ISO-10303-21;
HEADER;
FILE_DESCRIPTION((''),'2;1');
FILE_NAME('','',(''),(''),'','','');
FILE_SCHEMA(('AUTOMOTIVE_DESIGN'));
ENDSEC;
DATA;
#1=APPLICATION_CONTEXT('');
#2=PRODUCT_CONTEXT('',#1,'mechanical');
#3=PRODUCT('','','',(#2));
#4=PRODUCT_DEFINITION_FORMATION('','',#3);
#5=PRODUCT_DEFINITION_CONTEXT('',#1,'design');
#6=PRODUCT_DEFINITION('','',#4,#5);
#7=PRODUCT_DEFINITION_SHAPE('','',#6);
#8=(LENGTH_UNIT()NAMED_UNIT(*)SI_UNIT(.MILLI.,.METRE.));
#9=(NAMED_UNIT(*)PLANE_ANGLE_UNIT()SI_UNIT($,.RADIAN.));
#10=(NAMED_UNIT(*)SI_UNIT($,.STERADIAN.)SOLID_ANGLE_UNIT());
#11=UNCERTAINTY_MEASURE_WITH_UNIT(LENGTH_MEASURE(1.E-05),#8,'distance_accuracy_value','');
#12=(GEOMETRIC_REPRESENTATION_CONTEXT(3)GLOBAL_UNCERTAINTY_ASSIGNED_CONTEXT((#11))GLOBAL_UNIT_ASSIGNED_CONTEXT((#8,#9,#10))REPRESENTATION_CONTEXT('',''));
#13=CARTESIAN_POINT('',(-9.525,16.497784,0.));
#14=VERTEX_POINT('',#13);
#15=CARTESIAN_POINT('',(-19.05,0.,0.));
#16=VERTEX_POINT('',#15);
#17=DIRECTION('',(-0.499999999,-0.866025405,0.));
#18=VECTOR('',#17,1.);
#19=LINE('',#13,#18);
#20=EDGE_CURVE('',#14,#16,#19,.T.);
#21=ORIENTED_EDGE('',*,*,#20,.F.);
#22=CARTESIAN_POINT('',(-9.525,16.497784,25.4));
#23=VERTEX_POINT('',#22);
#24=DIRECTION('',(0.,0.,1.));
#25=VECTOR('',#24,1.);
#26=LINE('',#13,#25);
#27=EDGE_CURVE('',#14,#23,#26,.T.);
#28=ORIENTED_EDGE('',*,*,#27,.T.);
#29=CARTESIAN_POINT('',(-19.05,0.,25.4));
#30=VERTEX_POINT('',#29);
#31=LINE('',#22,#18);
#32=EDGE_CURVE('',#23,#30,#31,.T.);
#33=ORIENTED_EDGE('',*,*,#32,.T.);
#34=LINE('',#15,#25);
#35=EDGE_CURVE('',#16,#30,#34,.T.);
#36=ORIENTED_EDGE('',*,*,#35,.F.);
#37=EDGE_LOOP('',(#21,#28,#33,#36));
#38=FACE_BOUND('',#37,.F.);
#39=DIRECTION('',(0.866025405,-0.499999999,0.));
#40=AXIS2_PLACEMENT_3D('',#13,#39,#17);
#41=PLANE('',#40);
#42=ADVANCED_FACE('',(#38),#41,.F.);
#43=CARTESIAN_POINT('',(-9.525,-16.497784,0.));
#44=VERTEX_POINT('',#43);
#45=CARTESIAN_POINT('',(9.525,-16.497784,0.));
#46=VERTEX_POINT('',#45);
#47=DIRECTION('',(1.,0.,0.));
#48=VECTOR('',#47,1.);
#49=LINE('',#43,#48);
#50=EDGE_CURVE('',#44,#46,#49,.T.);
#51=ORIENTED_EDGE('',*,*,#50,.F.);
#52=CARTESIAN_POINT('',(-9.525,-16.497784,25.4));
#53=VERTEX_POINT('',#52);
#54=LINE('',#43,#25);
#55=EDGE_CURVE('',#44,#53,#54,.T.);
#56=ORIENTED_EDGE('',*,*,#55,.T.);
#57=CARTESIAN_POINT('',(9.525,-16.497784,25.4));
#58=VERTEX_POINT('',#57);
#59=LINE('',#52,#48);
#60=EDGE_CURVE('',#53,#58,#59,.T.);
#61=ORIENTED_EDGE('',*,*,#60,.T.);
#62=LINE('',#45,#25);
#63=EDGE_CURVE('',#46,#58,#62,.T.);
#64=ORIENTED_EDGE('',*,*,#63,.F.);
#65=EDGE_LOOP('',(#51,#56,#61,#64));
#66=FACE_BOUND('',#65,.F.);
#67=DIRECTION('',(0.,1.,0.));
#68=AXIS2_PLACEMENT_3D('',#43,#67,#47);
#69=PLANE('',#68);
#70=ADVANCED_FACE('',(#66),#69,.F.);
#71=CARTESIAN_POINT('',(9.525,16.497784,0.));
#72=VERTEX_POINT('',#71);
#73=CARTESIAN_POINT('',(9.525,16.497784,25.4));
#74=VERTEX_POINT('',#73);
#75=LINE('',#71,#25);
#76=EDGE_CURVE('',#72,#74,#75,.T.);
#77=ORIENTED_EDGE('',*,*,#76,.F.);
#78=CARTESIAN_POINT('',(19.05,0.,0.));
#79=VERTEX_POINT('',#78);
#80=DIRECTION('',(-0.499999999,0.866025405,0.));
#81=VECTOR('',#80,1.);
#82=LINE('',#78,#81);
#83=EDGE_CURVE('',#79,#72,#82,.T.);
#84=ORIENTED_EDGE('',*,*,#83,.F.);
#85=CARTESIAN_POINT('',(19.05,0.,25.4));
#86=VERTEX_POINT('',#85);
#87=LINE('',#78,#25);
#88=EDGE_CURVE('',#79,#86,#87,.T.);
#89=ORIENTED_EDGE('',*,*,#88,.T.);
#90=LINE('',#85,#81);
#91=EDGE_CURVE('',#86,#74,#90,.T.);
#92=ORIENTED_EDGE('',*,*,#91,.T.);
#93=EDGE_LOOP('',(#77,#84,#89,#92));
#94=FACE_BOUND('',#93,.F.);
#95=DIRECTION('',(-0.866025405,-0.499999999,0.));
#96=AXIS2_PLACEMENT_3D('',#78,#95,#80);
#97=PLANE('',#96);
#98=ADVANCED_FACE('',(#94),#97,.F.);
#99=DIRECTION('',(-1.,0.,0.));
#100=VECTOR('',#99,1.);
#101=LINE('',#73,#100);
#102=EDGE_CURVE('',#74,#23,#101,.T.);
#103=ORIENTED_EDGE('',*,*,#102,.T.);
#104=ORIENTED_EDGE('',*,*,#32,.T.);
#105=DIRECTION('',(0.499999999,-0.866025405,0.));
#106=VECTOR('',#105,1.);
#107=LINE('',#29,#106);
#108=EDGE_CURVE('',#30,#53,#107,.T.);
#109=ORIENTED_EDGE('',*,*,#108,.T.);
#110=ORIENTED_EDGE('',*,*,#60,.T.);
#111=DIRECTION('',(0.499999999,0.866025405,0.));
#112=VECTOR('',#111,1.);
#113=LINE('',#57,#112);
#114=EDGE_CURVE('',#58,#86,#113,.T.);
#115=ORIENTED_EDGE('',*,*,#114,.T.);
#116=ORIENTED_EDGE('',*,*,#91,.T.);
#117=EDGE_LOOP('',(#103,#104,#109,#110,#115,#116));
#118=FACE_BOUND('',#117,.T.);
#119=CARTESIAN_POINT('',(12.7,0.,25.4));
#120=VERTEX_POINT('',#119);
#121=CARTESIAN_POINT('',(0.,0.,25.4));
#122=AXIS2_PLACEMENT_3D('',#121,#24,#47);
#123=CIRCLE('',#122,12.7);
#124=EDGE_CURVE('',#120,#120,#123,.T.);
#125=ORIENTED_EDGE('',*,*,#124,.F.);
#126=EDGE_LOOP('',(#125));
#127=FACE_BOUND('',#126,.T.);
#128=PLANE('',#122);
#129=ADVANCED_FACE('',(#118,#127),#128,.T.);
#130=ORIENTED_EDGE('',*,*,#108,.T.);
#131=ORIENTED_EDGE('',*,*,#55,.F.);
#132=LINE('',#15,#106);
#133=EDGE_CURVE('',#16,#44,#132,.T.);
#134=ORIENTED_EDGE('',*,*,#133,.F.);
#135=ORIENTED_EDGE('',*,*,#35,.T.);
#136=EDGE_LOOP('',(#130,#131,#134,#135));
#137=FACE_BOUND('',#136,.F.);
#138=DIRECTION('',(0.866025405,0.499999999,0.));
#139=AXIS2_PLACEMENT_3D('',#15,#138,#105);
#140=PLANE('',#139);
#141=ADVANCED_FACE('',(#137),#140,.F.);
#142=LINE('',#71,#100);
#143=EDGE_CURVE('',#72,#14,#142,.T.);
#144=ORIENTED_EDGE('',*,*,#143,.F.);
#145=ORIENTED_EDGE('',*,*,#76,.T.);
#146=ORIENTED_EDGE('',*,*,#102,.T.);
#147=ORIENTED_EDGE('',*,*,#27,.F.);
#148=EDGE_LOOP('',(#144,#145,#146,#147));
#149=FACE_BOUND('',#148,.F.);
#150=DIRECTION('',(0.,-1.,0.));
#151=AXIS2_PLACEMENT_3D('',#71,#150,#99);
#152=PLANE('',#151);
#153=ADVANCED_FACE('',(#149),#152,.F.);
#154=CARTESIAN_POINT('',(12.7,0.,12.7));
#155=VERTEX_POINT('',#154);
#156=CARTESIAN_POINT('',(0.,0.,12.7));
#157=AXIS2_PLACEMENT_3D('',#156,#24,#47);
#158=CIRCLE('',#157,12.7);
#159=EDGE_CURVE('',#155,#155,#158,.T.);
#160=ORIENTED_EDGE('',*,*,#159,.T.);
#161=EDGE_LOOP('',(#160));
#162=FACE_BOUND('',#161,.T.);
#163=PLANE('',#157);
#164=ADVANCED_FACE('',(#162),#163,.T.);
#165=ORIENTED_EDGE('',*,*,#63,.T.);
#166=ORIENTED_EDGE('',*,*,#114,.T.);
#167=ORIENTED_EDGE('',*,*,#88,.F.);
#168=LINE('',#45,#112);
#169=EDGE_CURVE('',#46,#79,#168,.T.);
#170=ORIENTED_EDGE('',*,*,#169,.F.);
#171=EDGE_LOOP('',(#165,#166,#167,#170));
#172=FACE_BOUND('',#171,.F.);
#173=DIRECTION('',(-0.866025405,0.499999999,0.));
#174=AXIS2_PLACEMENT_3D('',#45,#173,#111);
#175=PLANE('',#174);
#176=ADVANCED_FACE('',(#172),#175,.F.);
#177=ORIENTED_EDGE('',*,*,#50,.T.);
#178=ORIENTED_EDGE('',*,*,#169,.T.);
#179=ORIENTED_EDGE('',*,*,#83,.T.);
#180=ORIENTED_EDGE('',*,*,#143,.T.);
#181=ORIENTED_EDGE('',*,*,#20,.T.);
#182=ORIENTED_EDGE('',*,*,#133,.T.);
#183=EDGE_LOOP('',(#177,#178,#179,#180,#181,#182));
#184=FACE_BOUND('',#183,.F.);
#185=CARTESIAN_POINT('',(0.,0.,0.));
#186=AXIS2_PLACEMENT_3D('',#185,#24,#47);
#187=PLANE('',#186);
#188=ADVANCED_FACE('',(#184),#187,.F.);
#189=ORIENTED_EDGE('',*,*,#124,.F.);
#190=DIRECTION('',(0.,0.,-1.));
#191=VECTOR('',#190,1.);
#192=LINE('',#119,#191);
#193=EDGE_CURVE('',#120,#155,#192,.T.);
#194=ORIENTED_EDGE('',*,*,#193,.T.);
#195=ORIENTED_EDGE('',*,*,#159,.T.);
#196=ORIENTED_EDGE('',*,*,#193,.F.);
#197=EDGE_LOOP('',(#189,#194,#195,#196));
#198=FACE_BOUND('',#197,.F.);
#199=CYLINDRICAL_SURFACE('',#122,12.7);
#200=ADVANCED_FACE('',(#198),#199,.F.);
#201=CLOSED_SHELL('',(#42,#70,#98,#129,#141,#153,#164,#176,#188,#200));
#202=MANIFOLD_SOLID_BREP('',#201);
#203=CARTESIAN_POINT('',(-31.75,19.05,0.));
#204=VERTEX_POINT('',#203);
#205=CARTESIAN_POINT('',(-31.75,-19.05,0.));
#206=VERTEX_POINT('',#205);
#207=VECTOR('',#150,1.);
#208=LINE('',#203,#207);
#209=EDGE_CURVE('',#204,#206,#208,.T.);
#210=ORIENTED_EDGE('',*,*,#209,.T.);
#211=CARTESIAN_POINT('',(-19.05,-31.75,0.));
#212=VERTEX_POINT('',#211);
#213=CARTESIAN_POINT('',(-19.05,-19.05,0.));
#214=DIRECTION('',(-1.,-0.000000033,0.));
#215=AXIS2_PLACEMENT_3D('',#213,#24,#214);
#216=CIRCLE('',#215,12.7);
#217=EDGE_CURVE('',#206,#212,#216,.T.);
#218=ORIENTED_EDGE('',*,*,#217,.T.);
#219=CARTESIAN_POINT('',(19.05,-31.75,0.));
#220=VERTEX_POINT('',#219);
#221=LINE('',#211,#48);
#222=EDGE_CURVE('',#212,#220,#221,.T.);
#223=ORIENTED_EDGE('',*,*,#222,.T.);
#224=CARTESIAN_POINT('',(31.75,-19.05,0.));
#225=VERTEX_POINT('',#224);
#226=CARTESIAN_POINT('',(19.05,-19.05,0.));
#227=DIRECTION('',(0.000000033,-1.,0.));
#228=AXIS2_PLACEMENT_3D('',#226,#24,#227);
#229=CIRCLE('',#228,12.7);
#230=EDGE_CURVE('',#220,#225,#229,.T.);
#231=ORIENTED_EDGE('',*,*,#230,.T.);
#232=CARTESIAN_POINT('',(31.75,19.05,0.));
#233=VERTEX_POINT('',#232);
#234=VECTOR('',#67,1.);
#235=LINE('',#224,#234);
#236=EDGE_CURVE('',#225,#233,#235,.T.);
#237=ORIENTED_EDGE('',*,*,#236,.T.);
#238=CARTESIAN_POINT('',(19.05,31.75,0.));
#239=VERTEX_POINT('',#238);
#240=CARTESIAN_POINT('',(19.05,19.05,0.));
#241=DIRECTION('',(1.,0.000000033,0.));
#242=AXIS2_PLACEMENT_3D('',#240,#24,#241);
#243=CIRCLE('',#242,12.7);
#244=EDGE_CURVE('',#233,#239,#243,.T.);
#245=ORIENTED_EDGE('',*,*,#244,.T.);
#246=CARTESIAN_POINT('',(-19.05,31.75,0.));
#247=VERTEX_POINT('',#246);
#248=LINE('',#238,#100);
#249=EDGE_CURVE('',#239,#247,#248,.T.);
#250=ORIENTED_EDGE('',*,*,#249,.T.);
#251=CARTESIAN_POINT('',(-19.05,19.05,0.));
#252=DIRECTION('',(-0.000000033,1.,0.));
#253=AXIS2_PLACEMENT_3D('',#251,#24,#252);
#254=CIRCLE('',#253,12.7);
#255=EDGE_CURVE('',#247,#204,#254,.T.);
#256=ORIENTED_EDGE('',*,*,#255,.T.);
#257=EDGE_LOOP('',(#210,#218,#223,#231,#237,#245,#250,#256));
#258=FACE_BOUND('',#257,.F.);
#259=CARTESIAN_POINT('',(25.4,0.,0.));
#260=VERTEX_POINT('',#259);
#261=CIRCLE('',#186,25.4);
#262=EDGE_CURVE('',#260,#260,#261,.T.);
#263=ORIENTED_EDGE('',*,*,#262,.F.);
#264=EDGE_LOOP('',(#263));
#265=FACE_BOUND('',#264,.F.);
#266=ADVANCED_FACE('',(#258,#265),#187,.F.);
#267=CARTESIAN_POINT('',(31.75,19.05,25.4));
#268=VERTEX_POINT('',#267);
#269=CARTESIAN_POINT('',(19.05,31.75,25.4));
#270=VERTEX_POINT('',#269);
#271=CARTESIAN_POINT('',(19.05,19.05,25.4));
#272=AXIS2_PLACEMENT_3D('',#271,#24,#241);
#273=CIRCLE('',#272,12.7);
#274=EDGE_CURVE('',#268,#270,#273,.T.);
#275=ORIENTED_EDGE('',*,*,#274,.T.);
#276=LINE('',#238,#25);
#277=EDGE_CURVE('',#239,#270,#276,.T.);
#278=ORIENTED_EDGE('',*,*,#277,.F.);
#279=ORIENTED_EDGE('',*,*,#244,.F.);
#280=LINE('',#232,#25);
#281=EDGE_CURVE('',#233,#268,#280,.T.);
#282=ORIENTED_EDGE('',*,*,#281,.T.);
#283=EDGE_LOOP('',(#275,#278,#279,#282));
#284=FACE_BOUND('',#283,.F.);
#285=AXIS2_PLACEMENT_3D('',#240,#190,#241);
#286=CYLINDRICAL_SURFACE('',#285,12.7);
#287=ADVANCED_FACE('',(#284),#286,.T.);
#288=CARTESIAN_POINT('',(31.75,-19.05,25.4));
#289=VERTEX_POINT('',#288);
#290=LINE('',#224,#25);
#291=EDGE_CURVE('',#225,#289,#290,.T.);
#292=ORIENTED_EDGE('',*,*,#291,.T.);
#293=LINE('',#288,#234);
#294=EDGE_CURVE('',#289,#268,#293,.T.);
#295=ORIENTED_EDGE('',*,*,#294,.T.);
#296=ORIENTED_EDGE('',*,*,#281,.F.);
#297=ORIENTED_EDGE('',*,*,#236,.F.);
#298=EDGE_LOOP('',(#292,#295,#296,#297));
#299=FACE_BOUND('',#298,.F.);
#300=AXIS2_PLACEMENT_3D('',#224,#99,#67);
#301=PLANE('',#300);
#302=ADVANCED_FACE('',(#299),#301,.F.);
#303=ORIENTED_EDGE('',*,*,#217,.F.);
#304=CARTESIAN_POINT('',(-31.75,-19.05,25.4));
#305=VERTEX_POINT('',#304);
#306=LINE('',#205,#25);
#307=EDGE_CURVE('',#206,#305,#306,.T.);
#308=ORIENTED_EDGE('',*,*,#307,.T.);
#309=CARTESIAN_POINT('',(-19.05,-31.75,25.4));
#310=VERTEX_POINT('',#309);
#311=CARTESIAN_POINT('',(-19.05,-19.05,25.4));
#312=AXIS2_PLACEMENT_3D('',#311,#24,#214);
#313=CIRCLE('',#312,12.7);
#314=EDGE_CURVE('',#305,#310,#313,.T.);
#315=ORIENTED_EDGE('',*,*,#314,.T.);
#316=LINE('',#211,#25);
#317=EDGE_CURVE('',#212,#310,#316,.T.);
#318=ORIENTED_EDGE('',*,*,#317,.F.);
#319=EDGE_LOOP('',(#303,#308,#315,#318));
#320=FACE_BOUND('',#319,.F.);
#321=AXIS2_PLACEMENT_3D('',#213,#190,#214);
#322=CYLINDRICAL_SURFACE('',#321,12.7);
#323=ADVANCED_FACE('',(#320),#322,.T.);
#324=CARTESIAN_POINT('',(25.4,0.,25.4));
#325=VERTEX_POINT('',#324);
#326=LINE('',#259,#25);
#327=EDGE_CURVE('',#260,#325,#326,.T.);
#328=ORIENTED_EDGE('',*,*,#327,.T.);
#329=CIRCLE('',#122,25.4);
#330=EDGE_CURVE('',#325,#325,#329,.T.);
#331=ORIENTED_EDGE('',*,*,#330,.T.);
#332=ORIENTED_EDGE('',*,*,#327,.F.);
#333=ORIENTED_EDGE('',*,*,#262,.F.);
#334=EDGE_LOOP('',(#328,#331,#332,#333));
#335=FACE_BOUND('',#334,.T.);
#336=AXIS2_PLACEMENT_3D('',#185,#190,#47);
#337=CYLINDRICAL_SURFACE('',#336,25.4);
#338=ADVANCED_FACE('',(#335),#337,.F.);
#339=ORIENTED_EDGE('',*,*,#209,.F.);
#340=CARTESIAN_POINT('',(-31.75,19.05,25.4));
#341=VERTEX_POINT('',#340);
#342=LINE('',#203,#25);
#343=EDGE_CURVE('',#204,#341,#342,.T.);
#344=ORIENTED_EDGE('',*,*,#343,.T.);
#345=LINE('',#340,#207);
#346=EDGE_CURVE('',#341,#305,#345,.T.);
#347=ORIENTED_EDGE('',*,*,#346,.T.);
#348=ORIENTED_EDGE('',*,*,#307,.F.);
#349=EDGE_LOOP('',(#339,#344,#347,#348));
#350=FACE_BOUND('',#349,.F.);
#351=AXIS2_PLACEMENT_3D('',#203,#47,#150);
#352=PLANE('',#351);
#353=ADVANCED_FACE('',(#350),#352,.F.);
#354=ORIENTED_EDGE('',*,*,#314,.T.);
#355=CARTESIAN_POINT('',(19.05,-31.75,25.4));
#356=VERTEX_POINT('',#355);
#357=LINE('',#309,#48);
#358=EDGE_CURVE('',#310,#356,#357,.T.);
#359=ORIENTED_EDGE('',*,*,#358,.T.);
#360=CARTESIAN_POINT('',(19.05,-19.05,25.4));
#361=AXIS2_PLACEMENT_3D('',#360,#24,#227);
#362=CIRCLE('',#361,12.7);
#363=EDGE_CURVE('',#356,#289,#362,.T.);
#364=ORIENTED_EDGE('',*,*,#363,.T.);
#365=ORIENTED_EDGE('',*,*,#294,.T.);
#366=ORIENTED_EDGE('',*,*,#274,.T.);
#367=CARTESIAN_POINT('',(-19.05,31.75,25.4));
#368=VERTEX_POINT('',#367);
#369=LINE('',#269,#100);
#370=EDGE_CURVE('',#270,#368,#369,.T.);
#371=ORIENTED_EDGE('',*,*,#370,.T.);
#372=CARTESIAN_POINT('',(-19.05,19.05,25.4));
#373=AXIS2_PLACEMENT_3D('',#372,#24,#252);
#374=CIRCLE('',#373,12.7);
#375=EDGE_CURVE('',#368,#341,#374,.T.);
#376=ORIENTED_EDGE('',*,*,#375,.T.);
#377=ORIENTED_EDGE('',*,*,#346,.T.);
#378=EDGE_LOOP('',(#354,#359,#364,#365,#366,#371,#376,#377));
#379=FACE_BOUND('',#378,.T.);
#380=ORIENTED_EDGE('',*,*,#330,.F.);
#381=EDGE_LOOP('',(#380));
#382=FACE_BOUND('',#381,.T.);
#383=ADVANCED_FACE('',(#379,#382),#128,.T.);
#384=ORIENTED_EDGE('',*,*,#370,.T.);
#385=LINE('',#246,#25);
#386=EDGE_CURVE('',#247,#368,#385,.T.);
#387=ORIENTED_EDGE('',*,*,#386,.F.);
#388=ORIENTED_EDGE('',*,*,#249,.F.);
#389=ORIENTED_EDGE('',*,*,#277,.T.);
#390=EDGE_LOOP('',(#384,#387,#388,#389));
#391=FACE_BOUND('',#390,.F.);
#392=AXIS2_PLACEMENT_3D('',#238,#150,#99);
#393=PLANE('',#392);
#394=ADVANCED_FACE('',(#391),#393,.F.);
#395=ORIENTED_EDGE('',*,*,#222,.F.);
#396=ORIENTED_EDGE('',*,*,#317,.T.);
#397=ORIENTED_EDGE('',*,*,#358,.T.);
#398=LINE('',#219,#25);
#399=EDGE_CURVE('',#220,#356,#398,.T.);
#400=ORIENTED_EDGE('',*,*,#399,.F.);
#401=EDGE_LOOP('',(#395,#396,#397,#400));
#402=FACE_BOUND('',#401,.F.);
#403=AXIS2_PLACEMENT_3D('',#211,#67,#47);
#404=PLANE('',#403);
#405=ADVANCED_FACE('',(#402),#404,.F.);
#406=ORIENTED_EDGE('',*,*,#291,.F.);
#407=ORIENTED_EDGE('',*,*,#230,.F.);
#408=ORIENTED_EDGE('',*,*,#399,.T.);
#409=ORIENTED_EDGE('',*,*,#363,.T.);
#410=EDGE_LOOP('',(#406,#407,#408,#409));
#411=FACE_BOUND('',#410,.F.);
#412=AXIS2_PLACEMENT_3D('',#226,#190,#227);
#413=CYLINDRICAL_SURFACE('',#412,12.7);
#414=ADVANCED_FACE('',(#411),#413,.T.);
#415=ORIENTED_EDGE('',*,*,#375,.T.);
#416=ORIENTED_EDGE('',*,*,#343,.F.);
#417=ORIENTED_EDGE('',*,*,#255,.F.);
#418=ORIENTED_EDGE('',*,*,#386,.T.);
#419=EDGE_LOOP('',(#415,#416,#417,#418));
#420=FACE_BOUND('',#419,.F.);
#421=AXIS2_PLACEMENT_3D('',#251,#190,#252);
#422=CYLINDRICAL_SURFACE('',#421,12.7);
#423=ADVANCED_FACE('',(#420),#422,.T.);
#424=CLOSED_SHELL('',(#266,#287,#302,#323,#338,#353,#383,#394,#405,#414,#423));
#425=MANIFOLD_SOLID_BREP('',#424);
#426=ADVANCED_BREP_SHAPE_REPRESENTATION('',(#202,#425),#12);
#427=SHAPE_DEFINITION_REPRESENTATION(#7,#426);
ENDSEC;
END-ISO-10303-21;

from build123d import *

# Parameters (mm, degrees)
F0_R     = 25.4
F1_DEPTH = 25.4
F2_R     = 12.7
F3_DEPTH = 12.7


with BuildPart() as f1:
    # F0 (on Top) → F1 (new body)
    with BuildSketch(Plane.XY):
        with BuildLine():
            ThreePointArc((31.75, 19.05), (28.030256, 28.030256), (19.05, 31.75))
            Line((19.05, 31.75), (-19.05, 31.75))
            ThreePointArc((-19.05, 31.75), (-28.030256, 28.030256), (-31.75, 19.05))
            Line((-31.75, 19.05), (-31.75, -19.05))
            ThreePointArc((-31.75, -19.05), (-28.030256, -28.030256), (-19.05, -31.75))
            Line((-19.05, -31.75), (19.05, -31.75))
            ThreePointArc((19.05, -31.75), (28.030256, -28.030256), (31.75, -19.05))
            Line((31.75, -19.05), (31.75, 19.05))
        make_face()
        Circle(F0_R, mode=Mode.SUBTRACT)
        Polygon((-9.525, -16.497784), (9.525, -16.497784), (19.05, 0), (9.525, 16.497784), (-9.525, 16.497784), (-19.05, 0), align=None)
    extrude(amount=F1_DEPTH)

    # F2 (on face) → F3 (cut)
    with BuildSketch(Plane.XY.offset(25.4)):
        Circle(F2_R)
    extrude(amount=-F3_DEPTH, mode=Mode.SUBTRACT)


solid = f1.part
